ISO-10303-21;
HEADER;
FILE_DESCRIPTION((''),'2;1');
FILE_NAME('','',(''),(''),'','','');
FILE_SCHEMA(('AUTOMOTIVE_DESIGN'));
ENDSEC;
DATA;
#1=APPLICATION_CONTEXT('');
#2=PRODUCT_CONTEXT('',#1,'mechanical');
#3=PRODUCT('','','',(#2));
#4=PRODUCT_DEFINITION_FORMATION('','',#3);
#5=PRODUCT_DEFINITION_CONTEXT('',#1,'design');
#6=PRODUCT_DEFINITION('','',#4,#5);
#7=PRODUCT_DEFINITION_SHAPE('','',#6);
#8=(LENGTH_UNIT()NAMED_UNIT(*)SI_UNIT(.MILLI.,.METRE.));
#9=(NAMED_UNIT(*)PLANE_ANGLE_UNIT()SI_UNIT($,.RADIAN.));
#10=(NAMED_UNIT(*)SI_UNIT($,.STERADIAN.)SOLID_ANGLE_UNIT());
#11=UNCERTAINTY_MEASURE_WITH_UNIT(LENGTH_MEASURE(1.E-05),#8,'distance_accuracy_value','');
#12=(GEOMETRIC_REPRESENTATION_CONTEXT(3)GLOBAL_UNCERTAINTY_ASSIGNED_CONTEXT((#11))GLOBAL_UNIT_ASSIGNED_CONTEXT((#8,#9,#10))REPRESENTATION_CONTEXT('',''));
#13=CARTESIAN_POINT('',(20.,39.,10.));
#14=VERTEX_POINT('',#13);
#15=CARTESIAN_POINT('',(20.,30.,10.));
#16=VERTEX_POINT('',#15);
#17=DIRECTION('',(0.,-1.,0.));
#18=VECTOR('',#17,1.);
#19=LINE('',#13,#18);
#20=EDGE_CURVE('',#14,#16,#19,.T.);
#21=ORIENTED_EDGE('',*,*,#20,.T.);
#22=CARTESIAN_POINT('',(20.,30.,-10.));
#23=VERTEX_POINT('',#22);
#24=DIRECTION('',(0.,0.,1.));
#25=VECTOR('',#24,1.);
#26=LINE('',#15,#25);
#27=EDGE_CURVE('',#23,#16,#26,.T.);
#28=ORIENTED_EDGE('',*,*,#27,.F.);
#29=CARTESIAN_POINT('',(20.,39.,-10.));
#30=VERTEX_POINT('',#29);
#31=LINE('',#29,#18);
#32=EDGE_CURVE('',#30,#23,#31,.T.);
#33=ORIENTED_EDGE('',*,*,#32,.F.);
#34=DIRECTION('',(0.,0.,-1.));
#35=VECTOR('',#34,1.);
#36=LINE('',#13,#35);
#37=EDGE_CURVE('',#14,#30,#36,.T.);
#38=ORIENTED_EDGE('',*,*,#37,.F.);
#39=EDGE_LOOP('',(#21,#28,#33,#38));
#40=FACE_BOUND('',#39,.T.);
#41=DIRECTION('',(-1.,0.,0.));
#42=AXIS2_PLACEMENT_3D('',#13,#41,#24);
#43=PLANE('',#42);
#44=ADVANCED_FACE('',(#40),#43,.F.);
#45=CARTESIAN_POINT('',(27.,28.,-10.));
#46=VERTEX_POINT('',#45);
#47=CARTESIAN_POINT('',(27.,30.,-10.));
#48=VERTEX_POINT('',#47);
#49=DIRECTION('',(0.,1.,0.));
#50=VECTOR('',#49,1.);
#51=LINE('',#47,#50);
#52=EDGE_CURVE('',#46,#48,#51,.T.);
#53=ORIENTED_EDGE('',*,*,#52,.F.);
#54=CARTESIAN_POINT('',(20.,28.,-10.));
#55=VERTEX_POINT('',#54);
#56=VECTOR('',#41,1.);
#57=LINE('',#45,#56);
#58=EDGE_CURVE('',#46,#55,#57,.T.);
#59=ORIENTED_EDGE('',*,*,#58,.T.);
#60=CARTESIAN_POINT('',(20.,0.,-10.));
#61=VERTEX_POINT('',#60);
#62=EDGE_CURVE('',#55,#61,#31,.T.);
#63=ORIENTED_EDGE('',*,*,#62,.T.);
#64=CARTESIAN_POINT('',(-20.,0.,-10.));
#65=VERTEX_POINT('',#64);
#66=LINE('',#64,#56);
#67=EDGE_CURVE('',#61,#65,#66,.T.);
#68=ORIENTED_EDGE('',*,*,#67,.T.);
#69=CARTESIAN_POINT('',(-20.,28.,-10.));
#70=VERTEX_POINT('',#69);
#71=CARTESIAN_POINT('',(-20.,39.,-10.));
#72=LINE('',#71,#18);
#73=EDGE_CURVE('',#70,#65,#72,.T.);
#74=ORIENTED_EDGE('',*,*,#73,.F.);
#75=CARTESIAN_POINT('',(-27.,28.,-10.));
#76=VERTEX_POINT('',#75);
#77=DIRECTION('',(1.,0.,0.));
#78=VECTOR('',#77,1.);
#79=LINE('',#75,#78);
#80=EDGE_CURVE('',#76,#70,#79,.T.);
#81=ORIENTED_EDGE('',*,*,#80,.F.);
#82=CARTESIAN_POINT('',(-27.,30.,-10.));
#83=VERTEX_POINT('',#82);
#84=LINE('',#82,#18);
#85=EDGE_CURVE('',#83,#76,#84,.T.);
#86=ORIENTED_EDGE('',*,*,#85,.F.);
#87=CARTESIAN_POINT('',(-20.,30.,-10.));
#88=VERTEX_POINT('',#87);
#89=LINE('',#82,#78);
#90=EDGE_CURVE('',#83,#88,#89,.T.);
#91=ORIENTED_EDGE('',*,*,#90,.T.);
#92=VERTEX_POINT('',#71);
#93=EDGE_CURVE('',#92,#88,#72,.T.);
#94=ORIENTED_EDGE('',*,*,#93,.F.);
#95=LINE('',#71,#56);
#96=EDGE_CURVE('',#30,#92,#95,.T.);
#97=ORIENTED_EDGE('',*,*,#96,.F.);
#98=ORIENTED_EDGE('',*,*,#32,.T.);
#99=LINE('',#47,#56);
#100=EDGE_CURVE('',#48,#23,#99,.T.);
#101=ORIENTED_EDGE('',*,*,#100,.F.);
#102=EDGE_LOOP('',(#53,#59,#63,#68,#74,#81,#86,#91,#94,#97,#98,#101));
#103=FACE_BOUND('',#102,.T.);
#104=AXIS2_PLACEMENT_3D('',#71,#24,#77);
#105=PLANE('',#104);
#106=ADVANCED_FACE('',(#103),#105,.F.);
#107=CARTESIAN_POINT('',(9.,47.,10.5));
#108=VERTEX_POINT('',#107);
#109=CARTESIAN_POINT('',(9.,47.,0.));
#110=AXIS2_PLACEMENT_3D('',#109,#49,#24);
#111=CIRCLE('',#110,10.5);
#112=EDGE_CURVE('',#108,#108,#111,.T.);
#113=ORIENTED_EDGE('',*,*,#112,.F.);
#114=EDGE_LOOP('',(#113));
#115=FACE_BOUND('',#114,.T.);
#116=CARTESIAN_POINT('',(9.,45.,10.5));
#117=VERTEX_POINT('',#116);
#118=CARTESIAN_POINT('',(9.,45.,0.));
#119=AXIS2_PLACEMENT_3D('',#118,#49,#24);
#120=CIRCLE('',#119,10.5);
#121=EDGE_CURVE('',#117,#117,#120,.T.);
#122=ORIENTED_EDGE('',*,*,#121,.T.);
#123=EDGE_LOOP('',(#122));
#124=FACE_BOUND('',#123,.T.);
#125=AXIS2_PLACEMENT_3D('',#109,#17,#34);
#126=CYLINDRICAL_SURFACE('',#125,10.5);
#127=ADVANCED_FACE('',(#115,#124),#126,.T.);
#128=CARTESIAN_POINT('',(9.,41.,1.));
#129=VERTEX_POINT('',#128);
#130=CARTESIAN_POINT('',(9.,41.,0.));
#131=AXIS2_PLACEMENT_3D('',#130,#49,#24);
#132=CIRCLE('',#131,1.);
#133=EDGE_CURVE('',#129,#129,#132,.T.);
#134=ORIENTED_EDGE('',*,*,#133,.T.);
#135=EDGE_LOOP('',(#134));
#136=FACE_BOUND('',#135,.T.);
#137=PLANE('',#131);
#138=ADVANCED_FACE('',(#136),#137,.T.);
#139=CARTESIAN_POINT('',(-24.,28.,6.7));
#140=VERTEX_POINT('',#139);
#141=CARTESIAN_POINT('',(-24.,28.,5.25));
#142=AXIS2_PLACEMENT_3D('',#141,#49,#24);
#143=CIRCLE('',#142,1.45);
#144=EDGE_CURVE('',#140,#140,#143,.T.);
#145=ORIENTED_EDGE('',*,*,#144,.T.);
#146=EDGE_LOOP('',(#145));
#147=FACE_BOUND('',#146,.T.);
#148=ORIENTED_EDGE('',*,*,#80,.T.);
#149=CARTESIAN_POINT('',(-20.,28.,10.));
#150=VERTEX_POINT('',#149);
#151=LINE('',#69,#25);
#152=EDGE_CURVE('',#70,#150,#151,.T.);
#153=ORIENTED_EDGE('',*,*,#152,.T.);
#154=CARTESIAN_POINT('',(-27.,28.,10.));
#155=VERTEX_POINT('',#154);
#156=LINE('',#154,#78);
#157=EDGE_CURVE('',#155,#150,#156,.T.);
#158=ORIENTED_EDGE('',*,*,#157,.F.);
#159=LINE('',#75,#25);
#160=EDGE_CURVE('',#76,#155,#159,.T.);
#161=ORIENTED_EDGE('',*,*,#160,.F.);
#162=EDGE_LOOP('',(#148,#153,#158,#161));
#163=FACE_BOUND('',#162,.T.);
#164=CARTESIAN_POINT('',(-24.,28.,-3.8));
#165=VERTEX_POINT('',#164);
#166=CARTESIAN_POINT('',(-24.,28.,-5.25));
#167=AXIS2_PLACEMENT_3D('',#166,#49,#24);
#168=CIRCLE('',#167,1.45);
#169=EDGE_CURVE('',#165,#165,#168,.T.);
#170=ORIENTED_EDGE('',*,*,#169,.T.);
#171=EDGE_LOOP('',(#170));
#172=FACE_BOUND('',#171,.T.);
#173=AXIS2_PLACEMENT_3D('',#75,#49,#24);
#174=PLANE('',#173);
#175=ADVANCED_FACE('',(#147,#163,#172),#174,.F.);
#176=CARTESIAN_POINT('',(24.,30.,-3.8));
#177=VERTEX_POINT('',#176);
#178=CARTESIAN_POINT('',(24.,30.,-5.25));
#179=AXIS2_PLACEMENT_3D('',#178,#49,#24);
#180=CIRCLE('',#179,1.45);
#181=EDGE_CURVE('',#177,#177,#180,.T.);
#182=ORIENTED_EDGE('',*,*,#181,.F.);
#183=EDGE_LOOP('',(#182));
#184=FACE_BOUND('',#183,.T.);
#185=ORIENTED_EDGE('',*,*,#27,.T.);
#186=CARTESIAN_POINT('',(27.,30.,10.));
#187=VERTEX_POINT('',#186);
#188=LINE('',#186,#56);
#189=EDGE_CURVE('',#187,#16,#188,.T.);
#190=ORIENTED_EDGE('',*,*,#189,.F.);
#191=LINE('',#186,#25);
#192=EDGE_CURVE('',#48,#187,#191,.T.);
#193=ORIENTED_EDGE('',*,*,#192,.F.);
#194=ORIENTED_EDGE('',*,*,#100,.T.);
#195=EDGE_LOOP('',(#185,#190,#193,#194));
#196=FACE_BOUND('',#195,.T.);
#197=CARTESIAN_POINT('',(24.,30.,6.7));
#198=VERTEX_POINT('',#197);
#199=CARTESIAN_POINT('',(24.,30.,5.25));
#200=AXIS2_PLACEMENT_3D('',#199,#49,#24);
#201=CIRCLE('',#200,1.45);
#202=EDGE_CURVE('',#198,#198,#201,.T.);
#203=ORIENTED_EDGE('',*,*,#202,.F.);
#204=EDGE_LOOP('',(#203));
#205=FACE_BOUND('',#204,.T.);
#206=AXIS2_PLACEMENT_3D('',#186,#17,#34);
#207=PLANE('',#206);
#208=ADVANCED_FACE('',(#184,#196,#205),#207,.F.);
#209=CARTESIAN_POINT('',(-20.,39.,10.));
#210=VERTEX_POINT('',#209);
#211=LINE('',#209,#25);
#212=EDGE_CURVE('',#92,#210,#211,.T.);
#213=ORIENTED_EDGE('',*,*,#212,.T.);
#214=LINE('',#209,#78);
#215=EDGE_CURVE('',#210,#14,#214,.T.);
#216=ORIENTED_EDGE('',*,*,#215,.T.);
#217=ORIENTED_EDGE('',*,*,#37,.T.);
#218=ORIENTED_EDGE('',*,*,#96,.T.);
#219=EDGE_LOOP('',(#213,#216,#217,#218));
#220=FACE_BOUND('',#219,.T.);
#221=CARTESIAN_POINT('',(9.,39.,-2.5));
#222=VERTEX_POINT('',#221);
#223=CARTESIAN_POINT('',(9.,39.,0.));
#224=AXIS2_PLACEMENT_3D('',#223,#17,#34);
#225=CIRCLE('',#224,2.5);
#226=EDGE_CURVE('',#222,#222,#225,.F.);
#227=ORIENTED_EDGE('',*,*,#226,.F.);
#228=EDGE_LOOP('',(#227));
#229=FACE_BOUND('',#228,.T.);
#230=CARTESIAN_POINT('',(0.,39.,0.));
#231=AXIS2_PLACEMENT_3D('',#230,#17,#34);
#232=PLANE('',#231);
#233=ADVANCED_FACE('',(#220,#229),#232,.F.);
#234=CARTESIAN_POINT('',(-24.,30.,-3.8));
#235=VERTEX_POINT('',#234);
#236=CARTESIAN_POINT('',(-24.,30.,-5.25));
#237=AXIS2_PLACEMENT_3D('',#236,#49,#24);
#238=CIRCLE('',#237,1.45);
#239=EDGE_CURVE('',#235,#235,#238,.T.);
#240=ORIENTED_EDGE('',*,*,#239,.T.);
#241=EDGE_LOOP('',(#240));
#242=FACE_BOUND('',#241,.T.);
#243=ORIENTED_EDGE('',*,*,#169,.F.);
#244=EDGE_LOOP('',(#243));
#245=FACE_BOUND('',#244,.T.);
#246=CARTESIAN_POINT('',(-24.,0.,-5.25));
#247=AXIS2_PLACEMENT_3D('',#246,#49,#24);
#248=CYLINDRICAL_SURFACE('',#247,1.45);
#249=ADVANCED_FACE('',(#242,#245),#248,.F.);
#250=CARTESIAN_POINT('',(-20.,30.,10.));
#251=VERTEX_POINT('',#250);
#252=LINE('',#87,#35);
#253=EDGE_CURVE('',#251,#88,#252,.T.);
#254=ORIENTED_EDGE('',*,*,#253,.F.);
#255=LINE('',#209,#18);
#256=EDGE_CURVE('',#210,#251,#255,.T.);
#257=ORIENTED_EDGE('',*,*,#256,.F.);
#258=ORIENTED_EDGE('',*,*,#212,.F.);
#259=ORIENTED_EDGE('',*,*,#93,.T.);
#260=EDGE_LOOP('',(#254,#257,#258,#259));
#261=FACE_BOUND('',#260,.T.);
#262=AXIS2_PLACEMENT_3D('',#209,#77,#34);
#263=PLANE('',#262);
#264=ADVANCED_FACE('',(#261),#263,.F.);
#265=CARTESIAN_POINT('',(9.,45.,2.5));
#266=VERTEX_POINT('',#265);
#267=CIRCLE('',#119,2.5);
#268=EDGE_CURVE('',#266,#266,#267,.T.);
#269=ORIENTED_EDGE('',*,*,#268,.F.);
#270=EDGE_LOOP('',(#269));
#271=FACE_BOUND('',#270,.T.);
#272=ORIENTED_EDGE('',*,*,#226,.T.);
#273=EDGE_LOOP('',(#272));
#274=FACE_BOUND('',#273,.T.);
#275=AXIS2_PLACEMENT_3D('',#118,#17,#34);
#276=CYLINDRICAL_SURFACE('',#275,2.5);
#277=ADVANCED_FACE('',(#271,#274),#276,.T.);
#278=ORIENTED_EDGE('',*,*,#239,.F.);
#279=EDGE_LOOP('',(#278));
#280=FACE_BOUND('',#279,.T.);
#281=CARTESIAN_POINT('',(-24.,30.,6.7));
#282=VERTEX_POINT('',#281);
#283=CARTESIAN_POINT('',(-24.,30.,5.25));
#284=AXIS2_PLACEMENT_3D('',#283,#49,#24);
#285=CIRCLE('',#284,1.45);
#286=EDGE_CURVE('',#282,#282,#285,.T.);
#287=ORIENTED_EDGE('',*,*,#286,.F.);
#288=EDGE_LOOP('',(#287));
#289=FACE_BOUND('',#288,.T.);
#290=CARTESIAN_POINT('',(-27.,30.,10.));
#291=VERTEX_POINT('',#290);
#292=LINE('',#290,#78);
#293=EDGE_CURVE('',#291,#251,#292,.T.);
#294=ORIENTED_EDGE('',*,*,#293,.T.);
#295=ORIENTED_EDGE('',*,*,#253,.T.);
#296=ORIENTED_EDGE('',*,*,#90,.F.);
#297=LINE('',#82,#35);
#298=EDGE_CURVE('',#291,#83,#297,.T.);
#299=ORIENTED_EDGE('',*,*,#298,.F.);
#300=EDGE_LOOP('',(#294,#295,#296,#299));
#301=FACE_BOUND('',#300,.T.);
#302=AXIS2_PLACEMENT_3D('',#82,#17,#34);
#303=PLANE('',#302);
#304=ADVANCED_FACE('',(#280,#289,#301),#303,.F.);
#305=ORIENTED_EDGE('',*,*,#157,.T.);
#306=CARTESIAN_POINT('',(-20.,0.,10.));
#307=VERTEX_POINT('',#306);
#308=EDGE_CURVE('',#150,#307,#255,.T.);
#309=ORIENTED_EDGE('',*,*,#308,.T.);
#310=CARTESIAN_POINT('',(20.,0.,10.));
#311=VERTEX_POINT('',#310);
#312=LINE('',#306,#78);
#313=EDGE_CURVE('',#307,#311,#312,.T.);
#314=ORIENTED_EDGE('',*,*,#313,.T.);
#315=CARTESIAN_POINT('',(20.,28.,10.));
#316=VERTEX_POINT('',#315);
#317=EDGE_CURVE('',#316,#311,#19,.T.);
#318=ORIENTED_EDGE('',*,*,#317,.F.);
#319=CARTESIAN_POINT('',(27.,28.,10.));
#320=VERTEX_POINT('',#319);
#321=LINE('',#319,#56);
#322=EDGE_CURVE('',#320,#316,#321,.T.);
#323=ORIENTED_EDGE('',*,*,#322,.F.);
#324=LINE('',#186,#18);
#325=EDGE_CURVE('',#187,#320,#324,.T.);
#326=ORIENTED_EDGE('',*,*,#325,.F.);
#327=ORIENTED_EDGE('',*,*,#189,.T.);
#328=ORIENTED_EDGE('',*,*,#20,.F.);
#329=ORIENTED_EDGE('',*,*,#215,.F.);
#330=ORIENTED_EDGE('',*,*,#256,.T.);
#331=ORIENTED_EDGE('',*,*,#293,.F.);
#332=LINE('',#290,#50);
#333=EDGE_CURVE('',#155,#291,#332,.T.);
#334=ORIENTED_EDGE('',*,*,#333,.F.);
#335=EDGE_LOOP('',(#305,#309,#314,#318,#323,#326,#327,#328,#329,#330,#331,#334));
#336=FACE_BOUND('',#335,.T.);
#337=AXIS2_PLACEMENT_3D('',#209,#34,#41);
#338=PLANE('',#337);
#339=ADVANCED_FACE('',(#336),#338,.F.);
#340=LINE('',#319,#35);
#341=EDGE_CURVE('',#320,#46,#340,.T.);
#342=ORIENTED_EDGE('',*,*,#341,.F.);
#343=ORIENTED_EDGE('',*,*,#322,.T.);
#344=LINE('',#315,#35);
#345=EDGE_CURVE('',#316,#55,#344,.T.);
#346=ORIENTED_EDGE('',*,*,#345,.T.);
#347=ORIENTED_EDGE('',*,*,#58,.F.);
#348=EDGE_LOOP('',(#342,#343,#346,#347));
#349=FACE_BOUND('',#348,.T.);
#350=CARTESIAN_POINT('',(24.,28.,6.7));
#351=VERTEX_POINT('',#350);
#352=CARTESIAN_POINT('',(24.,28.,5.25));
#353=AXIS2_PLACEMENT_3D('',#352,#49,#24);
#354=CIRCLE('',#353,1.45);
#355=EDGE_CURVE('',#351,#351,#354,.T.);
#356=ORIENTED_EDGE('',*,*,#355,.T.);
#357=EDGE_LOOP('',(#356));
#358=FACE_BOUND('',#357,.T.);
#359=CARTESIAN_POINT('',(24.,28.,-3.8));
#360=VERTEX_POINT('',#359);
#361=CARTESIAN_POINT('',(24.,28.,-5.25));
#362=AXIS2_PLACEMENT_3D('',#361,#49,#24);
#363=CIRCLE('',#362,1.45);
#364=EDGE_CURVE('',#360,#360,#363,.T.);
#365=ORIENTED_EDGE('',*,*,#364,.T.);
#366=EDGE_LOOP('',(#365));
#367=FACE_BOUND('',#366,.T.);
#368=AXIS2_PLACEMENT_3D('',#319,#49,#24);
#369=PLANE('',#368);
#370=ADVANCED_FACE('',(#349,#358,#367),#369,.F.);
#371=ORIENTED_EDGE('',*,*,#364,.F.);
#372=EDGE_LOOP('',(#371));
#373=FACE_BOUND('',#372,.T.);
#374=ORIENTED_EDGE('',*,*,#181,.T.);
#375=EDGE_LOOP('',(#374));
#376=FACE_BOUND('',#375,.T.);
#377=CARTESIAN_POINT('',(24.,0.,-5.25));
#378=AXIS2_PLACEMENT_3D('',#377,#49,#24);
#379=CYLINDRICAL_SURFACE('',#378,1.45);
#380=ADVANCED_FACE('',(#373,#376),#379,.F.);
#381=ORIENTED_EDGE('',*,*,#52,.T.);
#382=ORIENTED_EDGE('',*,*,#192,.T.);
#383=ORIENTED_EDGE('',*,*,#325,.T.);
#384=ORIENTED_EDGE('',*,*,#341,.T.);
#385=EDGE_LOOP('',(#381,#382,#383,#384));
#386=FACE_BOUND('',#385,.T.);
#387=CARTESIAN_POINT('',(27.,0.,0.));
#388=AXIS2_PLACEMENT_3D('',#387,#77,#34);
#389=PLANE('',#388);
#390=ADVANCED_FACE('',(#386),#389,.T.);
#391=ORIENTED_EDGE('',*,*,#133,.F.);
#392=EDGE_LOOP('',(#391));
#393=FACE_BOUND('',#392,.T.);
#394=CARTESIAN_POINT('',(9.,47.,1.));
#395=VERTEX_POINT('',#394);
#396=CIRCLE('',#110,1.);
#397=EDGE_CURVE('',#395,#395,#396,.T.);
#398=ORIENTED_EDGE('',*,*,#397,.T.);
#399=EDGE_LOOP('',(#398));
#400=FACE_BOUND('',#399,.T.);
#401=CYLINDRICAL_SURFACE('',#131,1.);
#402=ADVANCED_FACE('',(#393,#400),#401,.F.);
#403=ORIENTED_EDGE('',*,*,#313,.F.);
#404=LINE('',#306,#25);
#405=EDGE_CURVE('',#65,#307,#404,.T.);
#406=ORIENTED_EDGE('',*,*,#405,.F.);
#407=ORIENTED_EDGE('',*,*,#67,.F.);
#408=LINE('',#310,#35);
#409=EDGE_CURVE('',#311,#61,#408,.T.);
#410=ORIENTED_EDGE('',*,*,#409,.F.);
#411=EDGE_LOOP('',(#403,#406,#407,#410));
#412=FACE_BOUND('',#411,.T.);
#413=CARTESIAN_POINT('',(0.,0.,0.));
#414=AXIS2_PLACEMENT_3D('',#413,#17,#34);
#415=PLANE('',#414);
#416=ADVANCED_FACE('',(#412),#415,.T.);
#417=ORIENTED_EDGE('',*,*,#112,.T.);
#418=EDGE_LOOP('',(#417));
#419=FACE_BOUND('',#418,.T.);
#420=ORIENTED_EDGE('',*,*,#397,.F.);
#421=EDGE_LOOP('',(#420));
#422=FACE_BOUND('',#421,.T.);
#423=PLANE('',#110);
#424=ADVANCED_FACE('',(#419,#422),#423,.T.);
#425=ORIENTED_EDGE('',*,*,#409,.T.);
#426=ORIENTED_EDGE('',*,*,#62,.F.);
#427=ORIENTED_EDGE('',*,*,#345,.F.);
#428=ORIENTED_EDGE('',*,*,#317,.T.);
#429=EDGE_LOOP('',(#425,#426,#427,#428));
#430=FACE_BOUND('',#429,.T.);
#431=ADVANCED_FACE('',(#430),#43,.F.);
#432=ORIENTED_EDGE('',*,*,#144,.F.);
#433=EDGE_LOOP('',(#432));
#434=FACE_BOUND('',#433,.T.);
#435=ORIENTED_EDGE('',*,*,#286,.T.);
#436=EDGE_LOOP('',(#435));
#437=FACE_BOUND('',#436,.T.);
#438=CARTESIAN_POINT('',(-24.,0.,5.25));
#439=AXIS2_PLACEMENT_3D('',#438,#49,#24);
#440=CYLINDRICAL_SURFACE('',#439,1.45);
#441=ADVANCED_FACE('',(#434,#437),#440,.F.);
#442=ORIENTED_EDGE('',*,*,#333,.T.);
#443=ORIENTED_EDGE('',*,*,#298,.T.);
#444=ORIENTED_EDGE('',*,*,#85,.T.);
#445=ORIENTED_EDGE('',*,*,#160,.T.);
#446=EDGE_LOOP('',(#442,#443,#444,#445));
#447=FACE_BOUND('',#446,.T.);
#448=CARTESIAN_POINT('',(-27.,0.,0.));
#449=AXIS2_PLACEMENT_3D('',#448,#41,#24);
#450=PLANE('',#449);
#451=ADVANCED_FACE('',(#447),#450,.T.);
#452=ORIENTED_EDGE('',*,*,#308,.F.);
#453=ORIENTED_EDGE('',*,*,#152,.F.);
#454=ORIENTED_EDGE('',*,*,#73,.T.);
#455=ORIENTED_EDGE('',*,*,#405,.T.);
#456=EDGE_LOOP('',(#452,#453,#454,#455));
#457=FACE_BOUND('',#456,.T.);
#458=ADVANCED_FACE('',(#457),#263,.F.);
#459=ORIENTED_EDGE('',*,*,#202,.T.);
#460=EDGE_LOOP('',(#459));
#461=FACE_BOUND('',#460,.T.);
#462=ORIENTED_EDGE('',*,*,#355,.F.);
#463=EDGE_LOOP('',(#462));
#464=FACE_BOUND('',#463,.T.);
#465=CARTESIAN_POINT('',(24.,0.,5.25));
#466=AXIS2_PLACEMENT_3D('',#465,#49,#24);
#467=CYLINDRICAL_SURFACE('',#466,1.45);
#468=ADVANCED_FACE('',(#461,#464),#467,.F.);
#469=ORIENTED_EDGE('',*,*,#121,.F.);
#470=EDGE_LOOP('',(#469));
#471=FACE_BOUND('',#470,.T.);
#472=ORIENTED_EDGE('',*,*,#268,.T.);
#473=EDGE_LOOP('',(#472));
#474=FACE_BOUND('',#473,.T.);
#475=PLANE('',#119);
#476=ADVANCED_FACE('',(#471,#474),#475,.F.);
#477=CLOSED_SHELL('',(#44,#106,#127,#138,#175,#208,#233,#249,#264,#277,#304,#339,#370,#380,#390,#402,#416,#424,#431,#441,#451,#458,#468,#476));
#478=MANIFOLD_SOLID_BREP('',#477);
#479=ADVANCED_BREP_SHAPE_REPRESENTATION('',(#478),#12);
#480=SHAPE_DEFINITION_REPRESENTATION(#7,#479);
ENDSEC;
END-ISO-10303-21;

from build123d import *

# Parameters (mm, degrees)
SKETCH1_W           = 40
SKETCH1_H           = 20
BOSS_EXTRUDE1_DEPTH = 39
SKETCH2_W           = 20
SKETCH2_H           = 2
BOSS_EXTRUDE2_DEPTH = 7
SKETCH3_W           = 20
SKETCH3_H           = 2
BOSS_EXTRUDE3_DEPTH = 7
SKETCH4_R           = 1.45
CUT_EXTRUDE1_DEPTH  = 31
SKETCH5_R           = 2.5
BOSS_EXTRUDE4_DEPTH = 6
SKETCH6_R           = 10.5
BOSS_EXTRUDE5_DEPTH = 2
SKETCH7_R           = 1
CUT_EXTRUDE3_DEPTH  = 6


with BuildPart() as part:
    # Sketch1 → Boss-Extrude1 (new body)
    with BuildSketch(Plane(origin=(0, 0, 0), x_dir=(1, 0, 0), z_dir=(0, 1, 0))):
        Rectangle(SKETCH1_W, SKETCH1_H)
    extrude(amount=BOSS_EXTRUDE1_DEPTH)

    # Sketch2 → Boss-Extrude2 (add)
    with BuildSketch(Plane(origin=(20, 0, 0), x_dir=(0, 0, -1), z_dir=(1, 0, 0))):
        with Locations((0, 29)):
            Rectangle(SKETCH2_W, SKETCH2_H)
    extrude(amount=BOSS_EXTRUDE2_DEPTH)

    # Sketch3 → Boss-Extrude3 (add)
    with BuildSketch(Plane.ZY.offset(20)):
        with Locations((0, 29)):
            Rectangle(SKETCH3_W, SKETCH3_H)
    extrude(amount=BOSS_EXTRUDE3_DEPTH)

    # Sketch4 → Cut-Extrude1 (cut, through all)
    with BuildSketch(Plane(origin=(0, 30, 0), x_dir=(1, 0, 0), z_dir=(0, 1, 0))):
        with Locations((24, 5.25)):
            Circle(SKETCH4_R)
        with Locations((24, -5.25)):
            Circle(SKETCH4_R)
        with Locations((-24, 5.25)):
            Circle(SKETCH4_R)
        with Locations((-24, -5.25)):
            Circle(SKETCH4_R)
    extrude(amount=-CUT_EXTRUDE1_DEPTH, mode=Mode.SUBTRACT)

    # Sketch5 → Boss-Extrude4 (add)
    with BuildSketch(Plane(origin=(0, 39, 0), x_dir=(1, 0, 0), z_dir=(0, 1, 0))):
        with Locations((9, 0)):
            Circle(SKETCH5_R)
    extrude(amount=BOSS_EXTRUDE4_DEPTH)

    # Sketch6 → Boss-Extrude5 (add)
    with BuildSketch(Plane(origin=(0, 45, 0), x_dir=(1, 0, 0), z_dir=(0, 1, 0))):
        with Locations((9, 0)):
            Circle(SKETCH6_R)
    extrude(amount=BOSS_EXTRUDE5_DEPTH)

    # Sketch7 → Cut-Extrude3 (cut)
    with BuildSketch(Plane(origin=(0, 47, 0), x_dir=(1, 0, 0), z_dir=(0, 1, 0))):
        with Locations((9, 0)):
            Circle(SKETCH7_R)
    extrude(amount=-CUT_EXTRUDE3_DEPTH, mode=Mode.SUBTRACT)


solid = part.part
